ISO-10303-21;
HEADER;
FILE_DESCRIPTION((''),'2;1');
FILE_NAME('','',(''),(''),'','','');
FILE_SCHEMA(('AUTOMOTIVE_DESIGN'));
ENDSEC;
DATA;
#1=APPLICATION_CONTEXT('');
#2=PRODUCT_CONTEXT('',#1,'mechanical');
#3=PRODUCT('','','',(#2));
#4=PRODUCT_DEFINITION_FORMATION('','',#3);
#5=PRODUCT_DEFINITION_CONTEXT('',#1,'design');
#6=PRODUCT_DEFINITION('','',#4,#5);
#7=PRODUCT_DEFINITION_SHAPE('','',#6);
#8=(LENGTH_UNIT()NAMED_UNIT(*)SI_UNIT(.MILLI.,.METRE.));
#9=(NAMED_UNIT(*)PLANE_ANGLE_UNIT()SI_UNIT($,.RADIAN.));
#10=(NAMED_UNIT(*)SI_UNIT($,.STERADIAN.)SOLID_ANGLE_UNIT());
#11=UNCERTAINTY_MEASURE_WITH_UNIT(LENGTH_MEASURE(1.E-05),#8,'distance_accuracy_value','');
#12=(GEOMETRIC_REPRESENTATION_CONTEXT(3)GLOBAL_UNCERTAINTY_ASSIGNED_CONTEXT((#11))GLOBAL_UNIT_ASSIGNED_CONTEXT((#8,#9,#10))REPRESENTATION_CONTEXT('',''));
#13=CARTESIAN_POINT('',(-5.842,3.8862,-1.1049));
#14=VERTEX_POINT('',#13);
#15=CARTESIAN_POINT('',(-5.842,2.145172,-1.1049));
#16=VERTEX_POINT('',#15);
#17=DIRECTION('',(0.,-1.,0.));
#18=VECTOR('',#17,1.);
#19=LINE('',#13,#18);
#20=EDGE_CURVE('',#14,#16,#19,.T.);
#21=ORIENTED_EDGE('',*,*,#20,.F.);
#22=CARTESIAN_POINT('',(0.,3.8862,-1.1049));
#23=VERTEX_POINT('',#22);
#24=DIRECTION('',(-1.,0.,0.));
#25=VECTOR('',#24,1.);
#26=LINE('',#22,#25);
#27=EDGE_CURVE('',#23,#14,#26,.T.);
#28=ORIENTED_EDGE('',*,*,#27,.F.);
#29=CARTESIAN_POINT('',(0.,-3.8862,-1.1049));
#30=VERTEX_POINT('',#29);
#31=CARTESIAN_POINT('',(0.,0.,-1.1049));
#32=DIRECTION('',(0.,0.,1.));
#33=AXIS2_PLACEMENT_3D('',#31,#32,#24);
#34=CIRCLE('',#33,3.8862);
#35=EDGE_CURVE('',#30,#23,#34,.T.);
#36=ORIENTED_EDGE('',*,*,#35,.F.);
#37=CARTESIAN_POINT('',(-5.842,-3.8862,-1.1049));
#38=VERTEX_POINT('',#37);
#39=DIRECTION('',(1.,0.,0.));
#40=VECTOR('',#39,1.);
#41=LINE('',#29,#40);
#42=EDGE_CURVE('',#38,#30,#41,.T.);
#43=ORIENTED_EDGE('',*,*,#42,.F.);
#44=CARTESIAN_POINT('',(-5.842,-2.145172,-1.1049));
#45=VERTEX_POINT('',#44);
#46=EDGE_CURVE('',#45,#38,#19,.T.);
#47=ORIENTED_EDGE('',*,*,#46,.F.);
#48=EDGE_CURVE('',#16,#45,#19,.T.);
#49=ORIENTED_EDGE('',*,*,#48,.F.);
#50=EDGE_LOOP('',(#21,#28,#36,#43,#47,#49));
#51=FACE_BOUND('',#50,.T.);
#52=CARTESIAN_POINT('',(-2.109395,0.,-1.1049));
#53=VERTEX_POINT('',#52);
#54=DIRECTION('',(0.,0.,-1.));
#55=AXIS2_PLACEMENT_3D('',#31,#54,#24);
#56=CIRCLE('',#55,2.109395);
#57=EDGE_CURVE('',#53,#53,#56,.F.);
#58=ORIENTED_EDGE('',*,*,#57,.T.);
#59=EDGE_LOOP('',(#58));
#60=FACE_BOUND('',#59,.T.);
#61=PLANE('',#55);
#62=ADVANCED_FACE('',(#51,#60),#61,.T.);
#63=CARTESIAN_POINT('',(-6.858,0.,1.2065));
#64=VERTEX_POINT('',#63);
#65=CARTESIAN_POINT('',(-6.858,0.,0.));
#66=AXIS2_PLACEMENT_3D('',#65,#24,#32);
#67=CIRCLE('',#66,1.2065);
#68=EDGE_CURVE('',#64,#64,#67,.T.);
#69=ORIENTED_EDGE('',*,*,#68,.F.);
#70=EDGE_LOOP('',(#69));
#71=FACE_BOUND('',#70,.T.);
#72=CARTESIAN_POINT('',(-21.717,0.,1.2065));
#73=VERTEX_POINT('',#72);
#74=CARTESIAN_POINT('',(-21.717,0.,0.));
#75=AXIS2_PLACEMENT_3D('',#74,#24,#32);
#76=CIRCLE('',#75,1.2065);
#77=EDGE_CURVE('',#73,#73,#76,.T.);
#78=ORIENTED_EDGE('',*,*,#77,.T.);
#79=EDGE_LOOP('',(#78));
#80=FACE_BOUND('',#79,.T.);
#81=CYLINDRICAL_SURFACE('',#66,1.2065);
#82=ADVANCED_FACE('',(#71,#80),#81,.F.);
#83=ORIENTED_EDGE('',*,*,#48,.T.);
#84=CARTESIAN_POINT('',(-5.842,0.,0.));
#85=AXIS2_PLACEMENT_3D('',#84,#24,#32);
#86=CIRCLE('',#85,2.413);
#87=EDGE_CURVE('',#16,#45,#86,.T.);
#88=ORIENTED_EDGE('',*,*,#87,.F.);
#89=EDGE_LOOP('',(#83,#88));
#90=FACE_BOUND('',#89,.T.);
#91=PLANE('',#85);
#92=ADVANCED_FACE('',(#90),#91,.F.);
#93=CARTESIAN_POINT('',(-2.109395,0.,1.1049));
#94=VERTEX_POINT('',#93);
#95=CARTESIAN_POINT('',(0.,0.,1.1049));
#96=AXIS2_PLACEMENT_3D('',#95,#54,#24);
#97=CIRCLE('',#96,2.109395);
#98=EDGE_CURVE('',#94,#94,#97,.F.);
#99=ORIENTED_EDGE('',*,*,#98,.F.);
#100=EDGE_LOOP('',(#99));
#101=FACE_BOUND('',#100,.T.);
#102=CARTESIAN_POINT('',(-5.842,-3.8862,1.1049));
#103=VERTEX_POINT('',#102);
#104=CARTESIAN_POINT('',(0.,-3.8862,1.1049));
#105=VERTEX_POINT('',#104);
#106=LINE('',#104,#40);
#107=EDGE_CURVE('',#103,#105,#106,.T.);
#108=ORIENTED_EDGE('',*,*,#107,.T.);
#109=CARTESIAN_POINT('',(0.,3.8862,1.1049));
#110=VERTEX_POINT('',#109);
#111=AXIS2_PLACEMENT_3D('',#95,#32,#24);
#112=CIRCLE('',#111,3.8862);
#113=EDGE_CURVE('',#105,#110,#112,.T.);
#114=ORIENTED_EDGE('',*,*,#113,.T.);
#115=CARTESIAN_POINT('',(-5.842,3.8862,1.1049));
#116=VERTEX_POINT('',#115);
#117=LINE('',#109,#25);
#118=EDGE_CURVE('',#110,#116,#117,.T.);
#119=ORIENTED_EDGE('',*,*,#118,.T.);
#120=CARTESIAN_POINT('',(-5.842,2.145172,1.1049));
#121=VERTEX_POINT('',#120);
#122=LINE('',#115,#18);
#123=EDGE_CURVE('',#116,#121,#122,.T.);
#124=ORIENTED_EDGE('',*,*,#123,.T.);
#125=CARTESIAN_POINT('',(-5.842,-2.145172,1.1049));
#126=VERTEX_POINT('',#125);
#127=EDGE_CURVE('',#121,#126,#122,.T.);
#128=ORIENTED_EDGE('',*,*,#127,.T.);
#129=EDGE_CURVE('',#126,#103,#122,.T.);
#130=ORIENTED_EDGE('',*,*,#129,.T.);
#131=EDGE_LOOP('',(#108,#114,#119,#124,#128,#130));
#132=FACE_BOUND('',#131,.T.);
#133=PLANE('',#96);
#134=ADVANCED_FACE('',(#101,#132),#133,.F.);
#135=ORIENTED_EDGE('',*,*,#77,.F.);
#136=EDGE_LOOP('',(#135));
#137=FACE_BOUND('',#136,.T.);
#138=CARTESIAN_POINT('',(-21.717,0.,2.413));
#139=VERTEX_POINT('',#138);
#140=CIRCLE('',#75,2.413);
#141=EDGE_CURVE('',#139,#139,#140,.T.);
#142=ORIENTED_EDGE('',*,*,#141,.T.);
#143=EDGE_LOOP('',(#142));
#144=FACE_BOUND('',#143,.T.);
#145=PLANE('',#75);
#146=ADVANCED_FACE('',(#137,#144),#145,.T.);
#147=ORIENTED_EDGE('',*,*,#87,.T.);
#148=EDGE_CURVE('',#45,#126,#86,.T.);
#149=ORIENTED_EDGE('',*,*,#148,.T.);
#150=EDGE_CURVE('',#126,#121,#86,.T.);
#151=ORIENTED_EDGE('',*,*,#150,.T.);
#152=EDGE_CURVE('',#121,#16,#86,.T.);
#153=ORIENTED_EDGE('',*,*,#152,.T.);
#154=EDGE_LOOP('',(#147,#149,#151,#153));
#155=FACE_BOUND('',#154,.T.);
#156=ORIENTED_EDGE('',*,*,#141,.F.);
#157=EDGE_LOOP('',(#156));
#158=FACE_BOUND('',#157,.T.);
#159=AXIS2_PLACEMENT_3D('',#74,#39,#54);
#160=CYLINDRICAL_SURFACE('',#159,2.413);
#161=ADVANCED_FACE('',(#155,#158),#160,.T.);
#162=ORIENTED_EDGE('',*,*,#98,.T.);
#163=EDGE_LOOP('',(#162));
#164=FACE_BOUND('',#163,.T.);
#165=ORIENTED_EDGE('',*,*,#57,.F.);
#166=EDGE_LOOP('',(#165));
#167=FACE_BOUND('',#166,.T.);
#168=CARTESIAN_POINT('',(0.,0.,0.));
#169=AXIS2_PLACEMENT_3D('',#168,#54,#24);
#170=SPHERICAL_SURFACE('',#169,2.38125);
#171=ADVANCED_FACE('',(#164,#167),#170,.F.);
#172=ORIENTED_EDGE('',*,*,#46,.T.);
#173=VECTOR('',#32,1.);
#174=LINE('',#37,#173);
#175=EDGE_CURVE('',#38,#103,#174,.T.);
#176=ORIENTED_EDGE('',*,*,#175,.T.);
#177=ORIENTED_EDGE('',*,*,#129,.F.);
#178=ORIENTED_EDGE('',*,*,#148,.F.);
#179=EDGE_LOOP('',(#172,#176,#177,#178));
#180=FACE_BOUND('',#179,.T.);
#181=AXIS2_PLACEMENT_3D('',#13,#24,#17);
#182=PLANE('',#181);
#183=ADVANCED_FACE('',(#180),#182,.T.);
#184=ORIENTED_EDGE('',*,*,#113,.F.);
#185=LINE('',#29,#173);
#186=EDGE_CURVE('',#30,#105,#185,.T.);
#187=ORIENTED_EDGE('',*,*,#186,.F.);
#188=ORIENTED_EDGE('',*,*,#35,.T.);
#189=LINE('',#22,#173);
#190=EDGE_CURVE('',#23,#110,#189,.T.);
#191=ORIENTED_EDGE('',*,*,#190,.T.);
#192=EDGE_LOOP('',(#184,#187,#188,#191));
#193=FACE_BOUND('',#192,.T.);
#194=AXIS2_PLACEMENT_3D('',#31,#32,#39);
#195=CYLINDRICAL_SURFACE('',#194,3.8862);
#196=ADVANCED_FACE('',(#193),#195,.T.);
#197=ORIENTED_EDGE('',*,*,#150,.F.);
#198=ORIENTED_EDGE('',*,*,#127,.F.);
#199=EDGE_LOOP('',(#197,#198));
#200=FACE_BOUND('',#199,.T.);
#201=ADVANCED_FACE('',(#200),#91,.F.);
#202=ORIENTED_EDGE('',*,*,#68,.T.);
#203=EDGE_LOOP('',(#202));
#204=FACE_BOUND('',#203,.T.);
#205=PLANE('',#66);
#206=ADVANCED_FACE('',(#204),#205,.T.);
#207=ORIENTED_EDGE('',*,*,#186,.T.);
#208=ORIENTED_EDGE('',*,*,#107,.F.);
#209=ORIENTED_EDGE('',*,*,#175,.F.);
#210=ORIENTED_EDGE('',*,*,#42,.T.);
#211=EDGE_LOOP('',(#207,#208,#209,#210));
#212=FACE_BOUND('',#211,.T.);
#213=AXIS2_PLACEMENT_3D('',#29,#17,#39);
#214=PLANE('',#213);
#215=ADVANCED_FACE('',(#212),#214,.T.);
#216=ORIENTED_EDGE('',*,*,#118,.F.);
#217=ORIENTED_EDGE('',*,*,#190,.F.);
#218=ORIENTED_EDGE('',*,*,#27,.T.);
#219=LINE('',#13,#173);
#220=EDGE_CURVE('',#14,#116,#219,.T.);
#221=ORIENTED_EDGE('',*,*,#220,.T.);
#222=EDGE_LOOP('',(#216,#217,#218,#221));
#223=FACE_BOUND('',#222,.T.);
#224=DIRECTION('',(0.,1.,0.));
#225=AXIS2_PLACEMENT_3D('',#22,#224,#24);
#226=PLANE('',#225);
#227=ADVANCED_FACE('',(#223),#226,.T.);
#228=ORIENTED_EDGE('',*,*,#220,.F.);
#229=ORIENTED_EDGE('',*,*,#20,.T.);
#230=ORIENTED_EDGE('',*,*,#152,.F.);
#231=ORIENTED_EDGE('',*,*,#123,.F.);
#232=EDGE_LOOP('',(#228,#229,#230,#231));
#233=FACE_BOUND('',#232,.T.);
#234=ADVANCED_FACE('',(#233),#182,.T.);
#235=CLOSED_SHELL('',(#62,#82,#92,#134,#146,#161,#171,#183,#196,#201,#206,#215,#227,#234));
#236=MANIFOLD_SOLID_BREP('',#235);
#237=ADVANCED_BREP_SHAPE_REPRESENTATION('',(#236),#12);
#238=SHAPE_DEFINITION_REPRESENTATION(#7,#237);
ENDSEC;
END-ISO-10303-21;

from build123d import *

# Parameters (mm, degrees)
EXTRUDE1_DEPTH      = 1.1049
EXTRUDE1_DEPTH_BACK = 1.1049
SKETCH2_R           = 2.413
EXTRUDE2_DEPTH      = 15.875
SKETCH3_R           = 1.2065
EXTRUDE3_DEPTH      = 14.859


with BuildPart() as part:
    # Sketch1 → Extrude1 (new body, two sides)
    with BuildSketch(Plane.XY) as extrude1_sk:
        with BuildLine():
            Line((0, 3.8862), (-5.842, 3.8862))
            Line((-5.842, 3.8862), (-5.842, -3.8862))
            Line((-5.842, -3.8862), (0, -3.8862))
            ThreePointArc((0, -3.8862), (3.8862, 0), (0, 3.8862))
        make_face()
    extrude(amount=EXTRUDE1_DEPTH)
    extrude(extrude1_sk.sketch, amount=-EXTRUDE1_DEPTH_BACK)

    # Sketch2 → Extrude2 (add)
    with BuildSketch(Plane.ZY.offset(5.842)):
        Circle(SKETCH2_R)
    extrude(amount=EXTRUDE2_DEPTH)

    # Sketch3 → Extrude3 (cut)
    with BuildSketch(Plane.ZY.offset(21.717)):
        Circle(SKETCH3_R)
    extrude(amount=-EXTRUDE3_DEPTH, mode=Mode.SUBTRACT)

    # Sketch6 → Cut-Revolve1 (revolve, cut)
    with BuildSketch(Plane.XY):
        with BuildLine():
            Line((0, -2.38125), (0, 2.38125))
            ThreePointArc((0, 2.38125), (-2.38125, 0), (0, -2.38125))
        make_face()
    revolve(axis=Axis((0, -2.38125, 0), (0, 1, 0)), mode=Mode.SUBTRACT)


solid = part.part
